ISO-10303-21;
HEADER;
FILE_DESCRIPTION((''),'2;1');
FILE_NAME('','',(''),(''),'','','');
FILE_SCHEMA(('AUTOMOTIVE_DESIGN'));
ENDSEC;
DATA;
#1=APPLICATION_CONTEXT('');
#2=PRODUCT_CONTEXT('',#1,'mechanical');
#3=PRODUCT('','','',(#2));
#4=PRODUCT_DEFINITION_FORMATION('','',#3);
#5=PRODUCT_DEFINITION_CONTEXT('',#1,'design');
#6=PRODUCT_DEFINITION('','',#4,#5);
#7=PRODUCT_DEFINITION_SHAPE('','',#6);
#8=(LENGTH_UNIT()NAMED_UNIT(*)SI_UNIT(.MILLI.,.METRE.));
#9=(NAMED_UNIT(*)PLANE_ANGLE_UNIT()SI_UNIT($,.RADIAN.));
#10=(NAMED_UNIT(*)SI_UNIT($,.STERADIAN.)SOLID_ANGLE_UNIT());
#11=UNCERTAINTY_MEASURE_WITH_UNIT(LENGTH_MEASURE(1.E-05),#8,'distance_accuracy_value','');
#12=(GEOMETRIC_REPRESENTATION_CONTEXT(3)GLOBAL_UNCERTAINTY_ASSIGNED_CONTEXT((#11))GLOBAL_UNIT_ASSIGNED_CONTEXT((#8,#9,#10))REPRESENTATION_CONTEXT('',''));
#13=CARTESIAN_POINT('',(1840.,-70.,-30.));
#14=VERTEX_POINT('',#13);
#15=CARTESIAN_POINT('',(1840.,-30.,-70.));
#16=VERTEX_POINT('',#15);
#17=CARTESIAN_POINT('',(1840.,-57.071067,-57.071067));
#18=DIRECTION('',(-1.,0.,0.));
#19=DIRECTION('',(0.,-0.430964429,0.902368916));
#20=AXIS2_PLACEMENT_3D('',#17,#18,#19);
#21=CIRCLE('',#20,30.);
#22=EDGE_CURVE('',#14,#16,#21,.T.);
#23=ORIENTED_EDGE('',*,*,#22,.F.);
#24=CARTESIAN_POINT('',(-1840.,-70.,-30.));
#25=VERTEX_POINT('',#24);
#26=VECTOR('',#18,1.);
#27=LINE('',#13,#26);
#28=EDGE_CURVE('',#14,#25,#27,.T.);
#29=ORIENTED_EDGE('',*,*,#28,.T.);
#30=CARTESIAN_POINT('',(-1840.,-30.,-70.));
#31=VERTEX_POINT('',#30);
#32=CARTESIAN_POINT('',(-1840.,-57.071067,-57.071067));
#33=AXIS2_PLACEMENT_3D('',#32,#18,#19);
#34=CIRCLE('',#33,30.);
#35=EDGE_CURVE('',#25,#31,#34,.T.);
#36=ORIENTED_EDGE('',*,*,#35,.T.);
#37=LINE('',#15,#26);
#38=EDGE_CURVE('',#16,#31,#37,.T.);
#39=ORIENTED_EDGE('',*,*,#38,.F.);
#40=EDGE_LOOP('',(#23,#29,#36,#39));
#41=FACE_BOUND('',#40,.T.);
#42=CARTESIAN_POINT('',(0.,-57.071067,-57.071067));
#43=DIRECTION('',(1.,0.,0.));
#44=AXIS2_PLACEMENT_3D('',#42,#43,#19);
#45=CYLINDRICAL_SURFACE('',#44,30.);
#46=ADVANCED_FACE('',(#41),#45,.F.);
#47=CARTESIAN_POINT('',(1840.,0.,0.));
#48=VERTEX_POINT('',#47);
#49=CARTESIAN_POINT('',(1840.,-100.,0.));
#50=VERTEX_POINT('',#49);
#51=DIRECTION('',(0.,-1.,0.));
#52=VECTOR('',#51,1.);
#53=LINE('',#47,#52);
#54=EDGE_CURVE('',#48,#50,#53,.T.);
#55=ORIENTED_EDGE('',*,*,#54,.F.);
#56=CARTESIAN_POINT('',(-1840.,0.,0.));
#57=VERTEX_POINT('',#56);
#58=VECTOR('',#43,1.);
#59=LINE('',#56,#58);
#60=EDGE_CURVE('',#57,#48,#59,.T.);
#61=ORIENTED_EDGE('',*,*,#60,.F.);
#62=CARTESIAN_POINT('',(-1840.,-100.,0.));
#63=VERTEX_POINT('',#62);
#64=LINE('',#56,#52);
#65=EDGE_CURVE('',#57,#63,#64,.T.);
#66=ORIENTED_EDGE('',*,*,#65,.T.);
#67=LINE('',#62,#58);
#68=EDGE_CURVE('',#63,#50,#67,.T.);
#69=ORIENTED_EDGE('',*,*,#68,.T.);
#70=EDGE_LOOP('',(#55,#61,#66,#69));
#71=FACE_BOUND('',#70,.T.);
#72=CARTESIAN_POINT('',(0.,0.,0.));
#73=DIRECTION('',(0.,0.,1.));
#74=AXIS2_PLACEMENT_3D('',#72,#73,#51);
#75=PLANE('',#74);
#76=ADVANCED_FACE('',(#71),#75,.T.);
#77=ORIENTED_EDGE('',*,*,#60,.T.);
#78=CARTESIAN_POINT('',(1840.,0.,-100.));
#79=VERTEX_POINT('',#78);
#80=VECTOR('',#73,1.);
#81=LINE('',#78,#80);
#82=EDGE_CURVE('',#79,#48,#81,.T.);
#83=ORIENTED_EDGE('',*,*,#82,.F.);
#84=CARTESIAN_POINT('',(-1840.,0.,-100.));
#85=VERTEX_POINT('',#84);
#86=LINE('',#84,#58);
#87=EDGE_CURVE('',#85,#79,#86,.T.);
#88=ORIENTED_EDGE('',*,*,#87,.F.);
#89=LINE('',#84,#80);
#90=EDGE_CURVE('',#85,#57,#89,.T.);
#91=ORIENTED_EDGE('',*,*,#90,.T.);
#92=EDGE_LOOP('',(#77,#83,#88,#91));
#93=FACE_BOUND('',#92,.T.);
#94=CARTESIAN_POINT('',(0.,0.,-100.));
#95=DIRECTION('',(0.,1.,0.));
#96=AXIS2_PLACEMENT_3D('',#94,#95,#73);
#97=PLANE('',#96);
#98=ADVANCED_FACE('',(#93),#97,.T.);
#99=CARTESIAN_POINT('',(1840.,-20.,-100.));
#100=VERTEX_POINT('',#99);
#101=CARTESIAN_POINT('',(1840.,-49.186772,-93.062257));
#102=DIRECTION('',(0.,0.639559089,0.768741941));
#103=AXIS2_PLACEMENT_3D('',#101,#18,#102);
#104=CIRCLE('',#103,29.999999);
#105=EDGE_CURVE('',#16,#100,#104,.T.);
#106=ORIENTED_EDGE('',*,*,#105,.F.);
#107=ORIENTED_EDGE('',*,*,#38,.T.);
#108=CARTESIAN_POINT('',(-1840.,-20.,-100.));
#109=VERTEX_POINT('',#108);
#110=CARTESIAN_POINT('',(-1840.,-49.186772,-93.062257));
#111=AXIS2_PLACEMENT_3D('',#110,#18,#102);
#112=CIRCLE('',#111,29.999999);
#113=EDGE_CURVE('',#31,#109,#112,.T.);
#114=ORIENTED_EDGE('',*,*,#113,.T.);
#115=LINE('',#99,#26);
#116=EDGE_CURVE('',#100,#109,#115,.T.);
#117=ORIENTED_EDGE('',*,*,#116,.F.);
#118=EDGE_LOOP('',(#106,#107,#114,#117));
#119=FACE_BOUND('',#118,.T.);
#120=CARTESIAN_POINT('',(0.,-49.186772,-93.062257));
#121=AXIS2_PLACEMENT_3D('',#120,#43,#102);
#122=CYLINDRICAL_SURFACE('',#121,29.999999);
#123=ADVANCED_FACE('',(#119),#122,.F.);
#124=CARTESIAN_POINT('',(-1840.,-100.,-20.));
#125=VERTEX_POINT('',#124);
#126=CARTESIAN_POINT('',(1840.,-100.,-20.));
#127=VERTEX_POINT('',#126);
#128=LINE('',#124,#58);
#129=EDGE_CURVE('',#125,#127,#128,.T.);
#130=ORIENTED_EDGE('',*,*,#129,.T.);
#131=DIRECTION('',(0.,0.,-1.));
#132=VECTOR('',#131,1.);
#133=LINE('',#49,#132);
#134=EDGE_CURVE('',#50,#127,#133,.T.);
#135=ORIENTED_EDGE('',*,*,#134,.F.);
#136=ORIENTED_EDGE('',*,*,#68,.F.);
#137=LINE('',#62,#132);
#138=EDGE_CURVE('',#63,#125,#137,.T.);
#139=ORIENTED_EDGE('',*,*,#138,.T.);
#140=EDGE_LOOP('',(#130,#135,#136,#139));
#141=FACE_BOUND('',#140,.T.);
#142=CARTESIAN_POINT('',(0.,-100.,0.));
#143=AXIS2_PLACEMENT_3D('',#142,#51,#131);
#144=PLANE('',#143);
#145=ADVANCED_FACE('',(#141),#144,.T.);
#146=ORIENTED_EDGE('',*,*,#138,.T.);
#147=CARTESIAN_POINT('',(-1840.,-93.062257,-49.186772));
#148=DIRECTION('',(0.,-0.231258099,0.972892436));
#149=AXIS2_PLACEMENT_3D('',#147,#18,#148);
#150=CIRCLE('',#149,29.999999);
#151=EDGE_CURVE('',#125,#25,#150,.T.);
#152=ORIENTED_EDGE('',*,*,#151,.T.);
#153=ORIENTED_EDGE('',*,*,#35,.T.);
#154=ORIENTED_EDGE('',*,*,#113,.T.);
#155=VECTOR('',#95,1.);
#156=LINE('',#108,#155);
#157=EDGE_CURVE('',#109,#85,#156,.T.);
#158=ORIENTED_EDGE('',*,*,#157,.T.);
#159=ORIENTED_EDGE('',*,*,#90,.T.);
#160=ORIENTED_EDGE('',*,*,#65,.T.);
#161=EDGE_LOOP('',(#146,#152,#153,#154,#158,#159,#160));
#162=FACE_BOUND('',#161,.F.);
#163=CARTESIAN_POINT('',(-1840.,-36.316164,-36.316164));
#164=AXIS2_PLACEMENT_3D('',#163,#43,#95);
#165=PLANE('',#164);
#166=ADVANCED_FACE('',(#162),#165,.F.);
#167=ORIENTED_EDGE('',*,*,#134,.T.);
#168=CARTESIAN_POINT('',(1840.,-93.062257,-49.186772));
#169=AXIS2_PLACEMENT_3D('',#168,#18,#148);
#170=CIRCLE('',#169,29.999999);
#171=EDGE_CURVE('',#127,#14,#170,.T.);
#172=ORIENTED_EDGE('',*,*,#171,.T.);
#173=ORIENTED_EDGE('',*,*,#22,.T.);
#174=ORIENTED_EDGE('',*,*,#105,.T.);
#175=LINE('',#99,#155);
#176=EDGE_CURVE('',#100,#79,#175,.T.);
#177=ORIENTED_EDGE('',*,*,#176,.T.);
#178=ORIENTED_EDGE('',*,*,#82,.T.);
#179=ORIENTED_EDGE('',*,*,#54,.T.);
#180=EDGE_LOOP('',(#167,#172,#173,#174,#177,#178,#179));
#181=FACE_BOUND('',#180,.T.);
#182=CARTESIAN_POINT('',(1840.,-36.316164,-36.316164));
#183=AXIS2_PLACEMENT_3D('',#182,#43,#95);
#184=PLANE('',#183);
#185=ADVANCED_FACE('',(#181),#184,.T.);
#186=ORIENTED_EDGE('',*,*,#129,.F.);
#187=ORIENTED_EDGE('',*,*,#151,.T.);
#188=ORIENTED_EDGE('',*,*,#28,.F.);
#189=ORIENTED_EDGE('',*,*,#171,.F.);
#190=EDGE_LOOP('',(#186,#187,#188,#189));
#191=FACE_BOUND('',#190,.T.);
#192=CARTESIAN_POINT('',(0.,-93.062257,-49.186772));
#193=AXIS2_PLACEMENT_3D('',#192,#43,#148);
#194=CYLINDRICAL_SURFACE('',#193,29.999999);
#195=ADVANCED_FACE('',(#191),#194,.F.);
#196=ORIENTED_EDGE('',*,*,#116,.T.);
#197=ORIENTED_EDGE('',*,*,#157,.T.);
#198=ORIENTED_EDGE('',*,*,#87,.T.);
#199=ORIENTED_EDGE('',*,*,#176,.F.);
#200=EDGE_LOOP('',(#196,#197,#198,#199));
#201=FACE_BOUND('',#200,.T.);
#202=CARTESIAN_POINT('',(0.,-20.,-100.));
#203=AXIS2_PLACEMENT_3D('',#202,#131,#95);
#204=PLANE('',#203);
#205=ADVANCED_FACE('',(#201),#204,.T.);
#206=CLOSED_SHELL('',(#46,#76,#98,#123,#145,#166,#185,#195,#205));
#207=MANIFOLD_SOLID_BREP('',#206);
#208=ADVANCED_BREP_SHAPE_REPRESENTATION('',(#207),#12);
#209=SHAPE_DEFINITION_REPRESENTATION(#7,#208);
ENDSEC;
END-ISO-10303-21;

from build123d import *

# Parameters (mm, degrees)
F1_DEPTH = 1840


with BuildPart() as f1:
    # F0 (on Right) → F1 (new body, symmetric)
    with BuildSketch(Plane.YZ):
        with BuildLine():
            Line((-20, -100), (0, -100))
            Line((0, -100), (0, 0))
            Line((0, 0), (-100, 0))
            Line((-100, 0), (-100, -20))
            ThreePointArc((-100, -20), (-83.575425, -20.726274), (-70, -30))
            ThreePointArc((-70, -30), (-35.857864, -35.857864), (-30, -70))
            ThreePointArc((-30, -70), (-20.726274, -83.575425), (-20, -100))
        make_face()
    extrude(amount=F1_DEPTH, both=True)


solid = f1.part
